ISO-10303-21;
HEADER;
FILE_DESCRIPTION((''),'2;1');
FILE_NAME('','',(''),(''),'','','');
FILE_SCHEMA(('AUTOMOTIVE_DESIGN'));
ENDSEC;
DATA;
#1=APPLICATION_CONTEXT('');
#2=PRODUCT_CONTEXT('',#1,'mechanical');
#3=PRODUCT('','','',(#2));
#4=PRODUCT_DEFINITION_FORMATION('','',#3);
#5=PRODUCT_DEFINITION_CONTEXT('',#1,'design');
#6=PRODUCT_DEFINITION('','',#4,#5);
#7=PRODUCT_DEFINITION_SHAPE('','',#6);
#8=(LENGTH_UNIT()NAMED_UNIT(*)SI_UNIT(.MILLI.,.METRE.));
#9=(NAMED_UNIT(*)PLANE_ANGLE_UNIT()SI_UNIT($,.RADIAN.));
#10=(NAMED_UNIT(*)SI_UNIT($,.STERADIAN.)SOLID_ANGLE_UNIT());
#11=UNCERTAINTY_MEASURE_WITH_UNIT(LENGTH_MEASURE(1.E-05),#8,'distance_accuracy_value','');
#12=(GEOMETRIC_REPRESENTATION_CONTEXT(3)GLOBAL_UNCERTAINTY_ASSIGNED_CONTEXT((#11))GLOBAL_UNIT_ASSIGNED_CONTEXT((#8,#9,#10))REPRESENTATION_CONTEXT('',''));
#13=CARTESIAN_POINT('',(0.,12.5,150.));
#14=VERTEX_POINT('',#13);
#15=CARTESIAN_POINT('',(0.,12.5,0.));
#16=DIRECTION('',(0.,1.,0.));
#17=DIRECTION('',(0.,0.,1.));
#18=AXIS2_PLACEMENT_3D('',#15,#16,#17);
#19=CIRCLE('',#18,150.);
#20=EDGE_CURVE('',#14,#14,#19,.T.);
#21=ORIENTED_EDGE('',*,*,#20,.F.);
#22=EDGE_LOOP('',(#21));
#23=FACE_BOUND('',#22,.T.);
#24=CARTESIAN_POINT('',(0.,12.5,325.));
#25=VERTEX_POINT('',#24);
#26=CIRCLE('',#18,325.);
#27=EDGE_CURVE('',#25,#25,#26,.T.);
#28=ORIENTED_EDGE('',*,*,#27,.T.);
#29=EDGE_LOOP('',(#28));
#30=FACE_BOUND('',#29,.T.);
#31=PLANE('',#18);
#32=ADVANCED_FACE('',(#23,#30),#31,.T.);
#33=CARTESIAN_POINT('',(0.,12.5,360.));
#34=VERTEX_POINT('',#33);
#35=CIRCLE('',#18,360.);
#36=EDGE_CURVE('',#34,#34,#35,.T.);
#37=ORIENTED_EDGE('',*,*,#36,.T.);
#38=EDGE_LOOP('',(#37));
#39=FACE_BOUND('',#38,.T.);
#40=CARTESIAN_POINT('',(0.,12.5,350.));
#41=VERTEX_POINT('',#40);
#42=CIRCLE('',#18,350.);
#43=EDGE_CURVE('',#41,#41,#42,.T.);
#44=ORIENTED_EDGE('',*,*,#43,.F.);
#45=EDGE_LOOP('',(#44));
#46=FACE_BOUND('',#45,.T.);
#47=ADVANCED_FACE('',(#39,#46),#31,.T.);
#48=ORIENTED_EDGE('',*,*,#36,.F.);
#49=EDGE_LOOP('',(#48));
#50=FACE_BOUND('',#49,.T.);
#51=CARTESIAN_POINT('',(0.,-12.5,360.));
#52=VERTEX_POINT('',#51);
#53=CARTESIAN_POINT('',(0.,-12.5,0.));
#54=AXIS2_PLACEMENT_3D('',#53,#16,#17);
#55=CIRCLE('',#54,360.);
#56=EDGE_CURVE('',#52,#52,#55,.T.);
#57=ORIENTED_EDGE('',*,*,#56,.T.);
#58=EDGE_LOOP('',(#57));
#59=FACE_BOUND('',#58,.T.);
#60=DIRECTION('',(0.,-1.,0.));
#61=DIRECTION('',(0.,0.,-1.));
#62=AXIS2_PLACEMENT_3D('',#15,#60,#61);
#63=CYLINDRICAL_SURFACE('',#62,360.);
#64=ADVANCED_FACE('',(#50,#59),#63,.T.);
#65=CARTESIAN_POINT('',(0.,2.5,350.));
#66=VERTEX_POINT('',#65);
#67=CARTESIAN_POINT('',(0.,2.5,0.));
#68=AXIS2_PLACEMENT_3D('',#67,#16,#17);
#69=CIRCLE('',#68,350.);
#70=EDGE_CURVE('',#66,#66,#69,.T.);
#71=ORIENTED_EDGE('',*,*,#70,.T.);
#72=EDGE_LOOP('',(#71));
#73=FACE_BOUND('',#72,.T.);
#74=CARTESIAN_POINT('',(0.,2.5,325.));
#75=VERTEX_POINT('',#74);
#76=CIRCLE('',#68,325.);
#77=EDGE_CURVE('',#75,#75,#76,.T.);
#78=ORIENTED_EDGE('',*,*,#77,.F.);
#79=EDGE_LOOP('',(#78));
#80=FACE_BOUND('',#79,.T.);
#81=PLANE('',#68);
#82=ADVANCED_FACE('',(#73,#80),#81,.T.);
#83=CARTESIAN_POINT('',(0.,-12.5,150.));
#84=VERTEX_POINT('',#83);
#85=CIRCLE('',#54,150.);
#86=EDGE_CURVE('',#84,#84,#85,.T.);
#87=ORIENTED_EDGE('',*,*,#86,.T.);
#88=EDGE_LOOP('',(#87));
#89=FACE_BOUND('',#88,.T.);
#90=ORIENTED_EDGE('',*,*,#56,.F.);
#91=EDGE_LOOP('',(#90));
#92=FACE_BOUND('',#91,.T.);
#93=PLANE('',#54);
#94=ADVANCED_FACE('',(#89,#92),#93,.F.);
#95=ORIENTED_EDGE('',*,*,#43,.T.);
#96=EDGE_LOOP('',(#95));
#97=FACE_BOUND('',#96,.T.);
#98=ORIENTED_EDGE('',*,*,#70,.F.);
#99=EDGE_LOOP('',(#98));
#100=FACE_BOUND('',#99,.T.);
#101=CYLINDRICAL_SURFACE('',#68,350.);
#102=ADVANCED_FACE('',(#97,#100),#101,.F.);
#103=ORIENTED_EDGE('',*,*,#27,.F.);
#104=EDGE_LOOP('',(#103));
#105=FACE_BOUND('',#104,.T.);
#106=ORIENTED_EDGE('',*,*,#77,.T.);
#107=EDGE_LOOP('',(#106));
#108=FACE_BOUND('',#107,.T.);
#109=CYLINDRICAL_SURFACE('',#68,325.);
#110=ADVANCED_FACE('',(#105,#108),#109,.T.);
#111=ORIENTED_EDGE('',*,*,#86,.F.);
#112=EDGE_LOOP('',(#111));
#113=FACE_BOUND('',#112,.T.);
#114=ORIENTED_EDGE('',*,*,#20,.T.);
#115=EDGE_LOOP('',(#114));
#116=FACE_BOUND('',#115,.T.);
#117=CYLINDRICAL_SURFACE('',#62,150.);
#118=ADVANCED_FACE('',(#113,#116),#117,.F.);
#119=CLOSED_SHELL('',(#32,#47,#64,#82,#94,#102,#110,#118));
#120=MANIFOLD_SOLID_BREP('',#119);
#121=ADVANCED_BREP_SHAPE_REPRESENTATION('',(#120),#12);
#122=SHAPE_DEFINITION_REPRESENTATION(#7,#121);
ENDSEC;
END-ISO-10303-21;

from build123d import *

# Parameters (mm, degrees)
SKETCH1_R           = 360
SKETCH1_R_2         = 150
BOSS_EXTRUDE1_DEPTH = 12.5
SKETCH2_R           = 350
SKETCH2_R_2         = 325
CUT_EXTRUDE1_DEPTH  = 10


with BuildPart() as part:
    # Sketch1 → Boss-Extrude1 (new, symmetric)
    with BuildSketch(Plane(origin=(0, 0, 0), x_dir=(1, 0, 0), z_dir=(0, 1, 0))):
        with Locations(Location((0, 0, 0), (0, 0, 270))):
            Circle(SKETCH1_R)
        with Locations(Location((0, 0, 0), (0, 0, 270))):
            Circle(SKETCH1_R_2, mode=Mode.SUBTRACT)
    extrude(amount=BOSS_EXTRUDE1_DEPTH, both=True)

    # Sketch2 → Cut-Extrude1 (cut)
    with BuildSketch(Plane(origin=(0, 12.5, 0), x_dir=(1, 0, 0), z_dir=(0, 1, 0))):
        with Locations(Location((0, 0, 0), (0, 0, 270))):
            Circle(SKETCH2_R)
        with Locations(Location((0, 0, 0), (0, 0, 270))):
            Circle(SKETCH2_R_2, mode=Mode.SUBTRACT)
    extrude(amount=-CUT_EXTRUDE1_DEPTH, mode=Mode.SUBTRACT)


solid = part.part
